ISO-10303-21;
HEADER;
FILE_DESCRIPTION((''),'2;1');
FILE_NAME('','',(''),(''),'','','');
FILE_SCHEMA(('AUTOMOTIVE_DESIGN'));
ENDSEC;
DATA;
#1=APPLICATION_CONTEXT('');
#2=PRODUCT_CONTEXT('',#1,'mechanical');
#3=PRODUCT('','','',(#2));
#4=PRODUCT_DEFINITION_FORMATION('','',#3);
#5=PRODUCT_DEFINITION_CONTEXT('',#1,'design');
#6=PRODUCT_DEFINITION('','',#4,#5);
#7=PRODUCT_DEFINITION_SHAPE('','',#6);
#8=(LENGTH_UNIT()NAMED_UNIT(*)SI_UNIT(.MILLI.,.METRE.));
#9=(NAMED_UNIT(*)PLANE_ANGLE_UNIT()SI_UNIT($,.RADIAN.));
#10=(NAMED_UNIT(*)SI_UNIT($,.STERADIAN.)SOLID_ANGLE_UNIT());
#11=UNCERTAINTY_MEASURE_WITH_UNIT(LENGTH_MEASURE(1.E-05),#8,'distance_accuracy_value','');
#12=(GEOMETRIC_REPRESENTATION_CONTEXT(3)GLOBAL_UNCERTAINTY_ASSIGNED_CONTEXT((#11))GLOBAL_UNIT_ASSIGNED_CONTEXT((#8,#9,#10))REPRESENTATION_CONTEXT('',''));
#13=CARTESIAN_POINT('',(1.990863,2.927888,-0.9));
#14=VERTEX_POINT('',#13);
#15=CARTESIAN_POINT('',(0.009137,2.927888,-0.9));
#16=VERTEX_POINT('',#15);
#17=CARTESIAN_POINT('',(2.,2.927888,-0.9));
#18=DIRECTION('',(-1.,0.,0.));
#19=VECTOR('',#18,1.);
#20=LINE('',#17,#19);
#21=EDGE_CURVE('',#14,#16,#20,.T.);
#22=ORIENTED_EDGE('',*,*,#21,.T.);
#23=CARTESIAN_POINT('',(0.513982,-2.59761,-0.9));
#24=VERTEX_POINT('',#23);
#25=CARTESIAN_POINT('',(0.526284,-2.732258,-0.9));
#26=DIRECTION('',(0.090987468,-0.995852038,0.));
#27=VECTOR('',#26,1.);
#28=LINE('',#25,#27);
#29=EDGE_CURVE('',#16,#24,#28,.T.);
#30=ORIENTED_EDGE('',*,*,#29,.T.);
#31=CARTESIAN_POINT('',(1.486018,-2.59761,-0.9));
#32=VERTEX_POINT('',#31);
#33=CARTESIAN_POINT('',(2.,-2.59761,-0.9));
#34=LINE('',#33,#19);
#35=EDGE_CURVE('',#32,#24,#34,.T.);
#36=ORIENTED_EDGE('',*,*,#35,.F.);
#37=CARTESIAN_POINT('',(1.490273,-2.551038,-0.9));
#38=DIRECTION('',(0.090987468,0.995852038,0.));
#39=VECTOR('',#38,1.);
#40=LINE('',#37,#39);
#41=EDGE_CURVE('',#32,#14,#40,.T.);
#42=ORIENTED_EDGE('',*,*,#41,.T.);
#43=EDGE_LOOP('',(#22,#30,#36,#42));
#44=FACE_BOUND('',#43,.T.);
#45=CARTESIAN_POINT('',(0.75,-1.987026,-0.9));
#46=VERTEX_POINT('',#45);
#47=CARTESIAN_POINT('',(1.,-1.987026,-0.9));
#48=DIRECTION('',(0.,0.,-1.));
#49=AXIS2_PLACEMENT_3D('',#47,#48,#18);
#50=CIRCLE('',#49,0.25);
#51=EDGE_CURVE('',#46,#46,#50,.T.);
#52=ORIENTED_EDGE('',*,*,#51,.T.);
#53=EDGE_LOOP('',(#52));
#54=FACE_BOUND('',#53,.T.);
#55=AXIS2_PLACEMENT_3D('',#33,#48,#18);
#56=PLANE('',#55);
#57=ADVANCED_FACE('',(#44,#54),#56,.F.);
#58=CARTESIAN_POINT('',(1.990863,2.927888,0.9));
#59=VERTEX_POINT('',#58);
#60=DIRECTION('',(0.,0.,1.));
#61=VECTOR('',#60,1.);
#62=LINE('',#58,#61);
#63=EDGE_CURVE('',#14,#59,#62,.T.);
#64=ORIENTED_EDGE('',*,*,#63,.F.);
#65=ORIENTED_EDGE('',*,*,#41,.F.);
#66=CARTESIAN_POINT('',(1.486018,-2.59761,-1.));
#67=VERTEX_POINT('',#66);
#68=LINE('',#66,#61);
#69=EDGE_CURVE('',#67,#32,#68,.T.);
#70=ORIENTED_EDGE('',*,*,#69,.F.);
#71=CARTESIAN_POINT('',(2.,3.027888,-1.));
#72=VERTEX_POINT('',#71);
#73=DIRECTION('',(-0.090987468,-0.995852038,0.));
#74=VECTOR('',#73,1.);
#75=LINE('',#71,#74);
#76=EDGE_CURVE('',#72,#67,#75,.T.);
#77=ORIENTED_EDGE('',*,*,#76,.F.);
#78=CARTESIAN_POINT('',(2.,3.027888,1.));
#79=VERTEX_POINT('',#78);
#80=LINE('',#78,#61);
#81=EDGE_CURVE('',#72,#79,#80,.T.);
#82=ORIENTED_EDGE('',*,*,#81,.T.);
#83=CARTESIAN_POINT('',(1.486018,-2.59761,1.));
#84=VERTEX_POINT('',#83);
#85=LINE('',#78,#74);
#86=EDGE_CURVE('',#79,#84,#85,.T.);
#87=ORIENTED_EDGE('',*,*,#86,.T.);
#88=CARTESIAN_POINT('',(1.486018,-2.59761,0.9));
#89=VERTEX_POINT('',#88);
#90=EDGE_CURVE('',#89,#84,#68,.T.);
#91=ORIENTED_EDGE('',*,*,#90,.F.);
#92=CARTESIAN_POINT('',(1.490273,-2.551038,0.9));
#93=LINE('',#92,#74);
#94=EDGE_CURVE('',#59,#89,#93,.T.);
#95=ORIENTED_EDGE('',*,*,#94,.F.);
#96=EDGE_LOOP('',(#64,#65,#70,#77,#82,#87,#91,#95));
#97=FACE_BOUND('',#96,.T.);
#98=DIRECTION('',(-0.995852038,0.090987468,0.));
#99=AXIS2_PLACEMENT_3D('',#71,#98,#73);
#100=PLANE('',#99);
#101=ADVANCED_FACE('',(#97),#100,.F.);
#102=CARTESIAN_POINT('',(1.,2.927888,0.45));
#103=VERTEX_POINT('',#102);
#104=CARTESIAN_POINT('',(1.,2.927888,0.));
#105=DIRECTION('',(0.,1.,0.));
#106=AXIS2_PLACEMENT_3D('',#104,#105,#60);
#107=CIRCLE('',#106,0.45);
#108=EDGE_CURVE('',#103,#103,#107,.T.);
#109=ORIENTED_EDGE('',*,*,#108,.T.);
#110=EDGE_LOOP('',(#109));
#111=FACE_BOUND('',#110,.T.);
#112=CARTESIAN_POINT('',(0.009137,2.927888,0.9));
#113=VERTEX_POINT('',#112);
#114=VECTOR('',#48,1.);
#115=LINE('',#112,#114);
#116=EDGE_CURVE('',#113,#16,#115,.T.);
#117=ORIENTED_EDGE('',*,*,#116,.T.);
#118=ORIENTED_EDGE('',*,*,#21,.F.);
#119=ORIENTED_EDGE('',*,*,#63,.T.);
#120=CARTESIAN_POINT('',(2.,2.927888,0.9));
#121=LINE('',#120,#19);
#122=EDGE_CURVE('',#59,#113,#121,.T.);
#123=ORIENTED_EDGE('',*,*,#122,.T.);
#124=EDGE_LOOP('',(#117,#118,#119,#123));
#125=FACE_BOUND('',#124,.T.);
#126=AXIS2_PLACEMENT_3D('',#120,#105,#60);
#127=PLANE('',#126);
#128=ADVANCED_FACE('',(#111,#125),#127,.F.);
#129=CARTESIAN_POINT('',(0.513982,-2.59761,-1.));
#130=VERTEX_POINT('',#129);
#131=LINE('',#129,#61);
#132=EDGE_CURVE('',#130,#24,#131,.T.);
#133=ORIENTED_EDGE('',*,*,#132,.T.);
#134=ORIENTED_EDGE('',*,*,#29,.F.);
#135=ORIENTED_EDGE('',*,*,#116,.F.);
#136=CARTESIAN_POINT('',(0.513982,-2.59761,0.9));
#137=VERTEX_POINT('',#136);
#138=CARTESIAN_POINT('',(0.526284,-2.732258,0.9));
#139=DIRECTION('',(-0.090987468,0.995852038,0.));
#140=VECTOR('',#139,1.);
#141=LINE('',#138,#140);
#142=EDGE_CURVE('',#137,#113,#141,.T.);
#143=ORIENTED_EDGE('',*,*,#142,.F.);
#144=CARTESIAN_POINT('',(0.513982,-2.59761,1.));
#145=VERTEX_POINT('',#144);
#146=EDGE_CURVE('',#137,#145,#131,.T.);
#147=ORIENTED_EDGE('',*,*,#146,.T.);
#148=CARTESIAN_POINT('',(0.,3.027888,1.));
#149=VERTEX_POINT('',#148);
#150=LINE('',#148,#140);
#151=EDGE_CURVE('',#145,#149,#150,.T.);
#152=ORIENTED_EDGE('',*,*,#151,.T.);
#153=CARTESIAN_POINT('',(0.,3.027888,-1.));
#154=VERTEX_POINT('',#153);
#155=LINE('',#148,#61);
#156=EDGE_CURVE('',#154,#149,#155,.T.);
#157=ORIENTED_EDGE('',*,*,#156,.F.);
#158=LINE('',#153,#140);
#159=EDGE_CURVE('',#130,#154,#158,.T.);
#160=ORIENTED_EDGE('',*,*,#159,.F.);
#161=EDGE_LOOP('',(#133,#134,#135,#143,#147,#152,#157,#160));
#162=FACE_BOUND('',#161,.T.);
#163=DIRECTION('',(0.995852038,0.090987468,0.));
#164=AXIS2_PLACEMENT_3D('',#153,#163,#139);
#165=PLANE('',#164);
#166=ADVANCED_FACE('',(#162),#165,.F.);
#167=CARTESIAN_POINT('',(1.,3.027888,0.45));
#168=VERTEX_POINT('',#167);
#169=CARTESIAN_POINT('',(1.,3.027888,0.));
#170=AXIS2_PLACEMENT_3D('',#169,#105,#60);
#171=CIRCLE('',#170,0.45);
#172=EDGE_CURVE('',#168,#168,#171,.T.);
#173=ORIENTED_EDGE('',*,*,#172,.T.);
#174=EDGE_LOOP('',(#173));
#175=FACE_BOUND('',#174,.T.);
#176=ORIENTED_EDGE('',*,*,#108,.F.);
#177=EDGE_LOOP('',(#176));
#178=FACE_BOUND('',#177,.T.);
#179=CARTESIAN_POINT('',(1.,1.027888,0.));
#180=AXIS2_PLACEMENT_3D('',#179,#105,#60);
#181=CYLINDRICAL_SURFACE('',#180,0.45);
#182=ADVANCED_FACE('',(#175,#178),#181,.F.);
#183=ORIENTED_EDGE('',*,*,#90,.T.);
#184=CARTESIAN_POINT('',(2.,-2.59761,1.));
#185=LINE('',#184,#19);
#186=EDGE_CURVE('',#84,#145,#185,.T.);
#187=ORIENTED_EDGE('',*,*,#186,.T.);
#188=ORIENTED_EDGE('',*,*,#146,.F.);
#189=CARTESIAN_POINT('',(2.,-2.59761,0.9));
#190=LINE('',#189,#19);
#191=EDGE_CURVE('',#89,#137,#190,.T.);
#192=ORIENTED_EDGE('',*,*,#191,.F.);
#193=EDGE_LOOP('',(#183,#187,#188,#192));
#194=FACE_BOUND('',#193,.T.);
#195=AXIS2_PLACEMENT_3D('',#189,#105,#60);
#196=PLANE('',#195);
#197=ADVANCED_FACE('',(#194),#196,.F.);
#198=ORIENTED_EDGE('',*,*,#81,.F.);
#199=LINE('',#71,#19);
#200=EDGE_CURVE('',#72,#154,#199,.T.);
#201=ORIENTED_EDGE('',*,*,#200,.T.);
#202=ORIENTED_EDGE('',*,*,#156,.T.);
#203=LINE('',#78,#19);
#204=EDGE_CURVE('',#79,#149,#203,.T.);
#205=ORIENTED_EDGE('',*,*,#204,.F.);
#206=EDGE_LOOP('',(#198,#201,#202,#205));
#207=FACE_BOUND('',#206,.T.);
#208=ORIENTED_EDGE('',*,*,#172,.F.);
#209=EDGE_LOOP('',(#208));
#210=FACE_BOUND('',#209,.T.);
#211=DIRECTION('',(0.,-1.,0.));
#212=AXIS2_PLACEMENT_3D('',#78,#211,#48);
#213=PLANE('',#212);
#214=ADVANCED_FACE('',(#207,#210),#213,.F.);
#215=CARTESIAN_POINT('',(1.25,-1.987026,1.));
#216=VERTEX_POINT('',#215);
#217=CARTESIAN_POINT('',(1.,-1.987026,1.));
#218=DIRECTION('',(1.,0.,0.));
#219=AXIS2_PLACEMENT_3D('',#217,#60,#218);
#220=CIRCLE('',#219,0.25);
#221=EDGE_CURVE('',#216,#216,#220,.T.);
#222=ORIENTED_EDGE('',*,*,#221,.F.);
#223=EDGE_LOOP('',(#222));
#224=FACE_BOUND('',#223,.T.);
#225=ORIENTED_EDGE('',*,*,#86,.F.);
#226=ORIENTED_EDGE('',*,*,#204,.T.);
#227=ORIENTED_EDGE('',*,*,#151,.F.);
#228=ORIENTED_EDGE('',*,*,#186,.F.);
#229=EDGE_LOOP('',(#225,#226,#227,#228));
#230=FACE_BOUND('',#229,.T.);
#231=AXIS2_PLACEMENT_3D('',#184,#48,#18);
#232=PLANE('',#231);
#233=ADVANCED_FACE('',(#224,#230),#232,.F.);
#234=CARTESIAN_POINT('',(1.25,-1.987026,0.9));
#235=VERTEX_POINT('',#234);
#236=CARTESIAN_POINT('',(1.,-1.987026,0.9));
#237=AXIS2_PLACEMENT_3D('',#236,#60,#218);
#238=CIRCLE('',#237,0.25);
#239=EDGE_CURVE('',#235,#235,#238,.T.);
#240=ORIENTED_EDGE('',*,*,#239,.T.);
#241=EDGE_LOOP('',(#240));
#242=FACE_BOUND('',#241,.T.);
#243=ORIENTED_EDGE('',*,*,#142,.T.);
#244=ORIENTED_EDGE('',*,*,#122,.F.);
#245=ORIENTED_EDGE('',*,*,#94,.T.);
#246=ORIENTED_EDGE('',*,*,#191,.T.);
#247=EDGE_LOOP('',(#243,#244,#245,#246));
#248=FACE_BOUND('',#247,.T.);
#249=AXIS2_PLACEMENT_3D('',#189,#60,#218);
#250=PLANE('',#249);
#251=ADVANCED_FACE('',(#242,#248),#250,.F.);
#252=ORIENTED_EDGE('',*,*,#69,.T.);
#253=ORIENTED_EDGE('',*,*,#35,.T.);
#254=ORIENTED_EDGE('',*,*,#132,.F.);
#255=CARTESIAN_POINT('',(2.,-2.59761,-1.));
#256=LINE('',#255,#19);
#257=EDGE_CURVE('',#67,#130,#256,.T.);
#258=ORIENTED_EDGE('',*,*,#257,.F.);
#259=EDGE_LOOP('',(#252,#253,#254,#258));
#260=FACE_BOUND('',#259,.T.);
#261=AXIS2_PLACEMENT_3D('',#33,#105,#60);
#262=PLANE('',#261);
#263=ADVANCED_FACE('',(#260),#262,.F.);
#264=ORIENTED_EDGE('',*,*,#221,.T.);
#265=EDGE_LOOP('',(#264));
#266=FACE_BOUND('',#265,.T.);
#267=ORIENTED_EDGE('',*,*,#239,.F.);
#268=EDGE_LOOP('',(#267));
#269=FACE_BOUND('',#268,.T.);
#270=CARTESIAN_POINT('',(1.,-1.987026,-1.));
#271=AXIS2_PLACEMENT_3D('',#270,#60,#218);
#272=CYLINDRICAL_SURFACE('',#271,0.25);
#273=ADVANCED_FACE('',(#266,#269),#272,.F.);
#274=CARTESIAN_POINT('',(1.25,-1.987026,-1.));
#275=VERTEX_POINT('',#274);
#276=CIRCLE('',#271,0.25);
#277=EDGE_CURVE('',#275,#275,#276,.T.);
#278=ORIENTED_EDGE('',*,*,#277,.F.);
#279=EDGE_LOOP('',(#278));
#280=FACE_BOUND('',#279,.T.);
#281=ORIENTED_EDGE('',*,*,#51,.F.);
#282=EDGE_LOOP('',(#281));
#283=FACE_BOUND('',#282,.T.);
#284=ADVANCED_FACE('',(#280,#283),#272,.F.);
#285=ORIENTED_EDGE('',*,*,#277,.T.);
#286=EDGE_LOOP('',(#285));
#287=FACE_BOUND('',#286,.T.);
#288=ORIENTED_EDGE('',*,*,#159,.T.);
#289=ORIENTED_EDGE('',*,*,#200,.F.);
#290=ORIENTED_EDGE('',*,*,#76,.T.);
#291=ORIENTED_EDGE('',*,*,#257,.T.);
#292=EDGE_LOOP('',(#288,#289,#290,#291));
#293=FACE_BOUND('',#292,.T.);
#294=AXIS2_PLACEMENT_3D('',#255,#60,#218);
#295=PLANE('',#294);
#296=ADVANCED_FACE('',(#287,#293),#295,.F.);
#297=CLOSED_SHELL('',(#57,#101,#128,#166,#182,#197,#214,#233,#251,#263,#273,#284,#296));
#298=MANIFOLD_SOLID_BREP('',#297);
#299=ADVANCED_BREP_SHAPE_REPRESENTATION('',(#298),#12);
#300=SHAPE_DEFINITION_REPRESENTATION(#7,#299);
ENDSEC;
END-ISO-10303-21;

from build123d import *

# Parameters (mm, degrees)
BOSS_EXTRUDE1_DEPTH = 2
CUT_EXTRUDE1_DEPTH  = 2
SKETCH3_R           = 0.25
CUT_EXTRUDE2_DEPTH  = 2
SKETCH4_R           = 0.45
CUT_EXTRUDE3_DEPTH  = 2


with BuildPart() as part:
    # Sketch1 → Boss-Extrude1 (new body)
    with BuildSketch(Plane(origin=(0, 0, 0), x_dir=(0, 0, -1), z_dir=(1, 0, 0))):
        Polygon((-0.9, -2.597609562), (-1, -2.597609562), (-1, 3.027888446), (1, 3.027888446), (1, -2.597609562), (0.9, -2.597609562), (0.9, 2.927888446), (-0.9, 2.927888446), align=None)
    extrude(amount=BOSS_EXTRUDE1_DEPTH)

    # Sketch2 → Cut-Extrude1 (cut)
    with BuildSketch(Plane.XY.offset(1)):
        Polygon((0, 3.027888446), (0.513981797, -2.597609562), (-0.357499118, -2.969117749), (-0.407776863, -2.389247755), align=None)
        Polygon((2.407776863, -2.389247755), (2.357499118, -2.969117749), (1.486018203, -2.597609562), (2, 3.027888446), align=None)
    extrude(amount=-CUT_EXTRUDE1_DEPTH, mode=Mode.SUBTRACT)

    # Sketch3 → Cut-Extrude2 (cut)
    with BuildSketch(Plane.XY.offset(1)):
        with Locations((1, -1.987025794)):
            Circle(SKETCH3_R)
    extrude(amount=-CUT_EXTRUDE2_DEPTH, mode=Mode.SUBTRACT)

    # Sketch4 → Cut-Extrude3 (cut)
    with BuildSketch(Plane(origin=(0, 3.027888446, 0), x_dir=(1, 0, 0), z_dir=(0, 1, 0))):
        with Locations((1, 0)):
            Circle(SKETCH4_R)
    extrude(amount=-CUT_EXTRUDE3_DEPTH, mode=Mode.SUBTRACT)


solid = part.part
